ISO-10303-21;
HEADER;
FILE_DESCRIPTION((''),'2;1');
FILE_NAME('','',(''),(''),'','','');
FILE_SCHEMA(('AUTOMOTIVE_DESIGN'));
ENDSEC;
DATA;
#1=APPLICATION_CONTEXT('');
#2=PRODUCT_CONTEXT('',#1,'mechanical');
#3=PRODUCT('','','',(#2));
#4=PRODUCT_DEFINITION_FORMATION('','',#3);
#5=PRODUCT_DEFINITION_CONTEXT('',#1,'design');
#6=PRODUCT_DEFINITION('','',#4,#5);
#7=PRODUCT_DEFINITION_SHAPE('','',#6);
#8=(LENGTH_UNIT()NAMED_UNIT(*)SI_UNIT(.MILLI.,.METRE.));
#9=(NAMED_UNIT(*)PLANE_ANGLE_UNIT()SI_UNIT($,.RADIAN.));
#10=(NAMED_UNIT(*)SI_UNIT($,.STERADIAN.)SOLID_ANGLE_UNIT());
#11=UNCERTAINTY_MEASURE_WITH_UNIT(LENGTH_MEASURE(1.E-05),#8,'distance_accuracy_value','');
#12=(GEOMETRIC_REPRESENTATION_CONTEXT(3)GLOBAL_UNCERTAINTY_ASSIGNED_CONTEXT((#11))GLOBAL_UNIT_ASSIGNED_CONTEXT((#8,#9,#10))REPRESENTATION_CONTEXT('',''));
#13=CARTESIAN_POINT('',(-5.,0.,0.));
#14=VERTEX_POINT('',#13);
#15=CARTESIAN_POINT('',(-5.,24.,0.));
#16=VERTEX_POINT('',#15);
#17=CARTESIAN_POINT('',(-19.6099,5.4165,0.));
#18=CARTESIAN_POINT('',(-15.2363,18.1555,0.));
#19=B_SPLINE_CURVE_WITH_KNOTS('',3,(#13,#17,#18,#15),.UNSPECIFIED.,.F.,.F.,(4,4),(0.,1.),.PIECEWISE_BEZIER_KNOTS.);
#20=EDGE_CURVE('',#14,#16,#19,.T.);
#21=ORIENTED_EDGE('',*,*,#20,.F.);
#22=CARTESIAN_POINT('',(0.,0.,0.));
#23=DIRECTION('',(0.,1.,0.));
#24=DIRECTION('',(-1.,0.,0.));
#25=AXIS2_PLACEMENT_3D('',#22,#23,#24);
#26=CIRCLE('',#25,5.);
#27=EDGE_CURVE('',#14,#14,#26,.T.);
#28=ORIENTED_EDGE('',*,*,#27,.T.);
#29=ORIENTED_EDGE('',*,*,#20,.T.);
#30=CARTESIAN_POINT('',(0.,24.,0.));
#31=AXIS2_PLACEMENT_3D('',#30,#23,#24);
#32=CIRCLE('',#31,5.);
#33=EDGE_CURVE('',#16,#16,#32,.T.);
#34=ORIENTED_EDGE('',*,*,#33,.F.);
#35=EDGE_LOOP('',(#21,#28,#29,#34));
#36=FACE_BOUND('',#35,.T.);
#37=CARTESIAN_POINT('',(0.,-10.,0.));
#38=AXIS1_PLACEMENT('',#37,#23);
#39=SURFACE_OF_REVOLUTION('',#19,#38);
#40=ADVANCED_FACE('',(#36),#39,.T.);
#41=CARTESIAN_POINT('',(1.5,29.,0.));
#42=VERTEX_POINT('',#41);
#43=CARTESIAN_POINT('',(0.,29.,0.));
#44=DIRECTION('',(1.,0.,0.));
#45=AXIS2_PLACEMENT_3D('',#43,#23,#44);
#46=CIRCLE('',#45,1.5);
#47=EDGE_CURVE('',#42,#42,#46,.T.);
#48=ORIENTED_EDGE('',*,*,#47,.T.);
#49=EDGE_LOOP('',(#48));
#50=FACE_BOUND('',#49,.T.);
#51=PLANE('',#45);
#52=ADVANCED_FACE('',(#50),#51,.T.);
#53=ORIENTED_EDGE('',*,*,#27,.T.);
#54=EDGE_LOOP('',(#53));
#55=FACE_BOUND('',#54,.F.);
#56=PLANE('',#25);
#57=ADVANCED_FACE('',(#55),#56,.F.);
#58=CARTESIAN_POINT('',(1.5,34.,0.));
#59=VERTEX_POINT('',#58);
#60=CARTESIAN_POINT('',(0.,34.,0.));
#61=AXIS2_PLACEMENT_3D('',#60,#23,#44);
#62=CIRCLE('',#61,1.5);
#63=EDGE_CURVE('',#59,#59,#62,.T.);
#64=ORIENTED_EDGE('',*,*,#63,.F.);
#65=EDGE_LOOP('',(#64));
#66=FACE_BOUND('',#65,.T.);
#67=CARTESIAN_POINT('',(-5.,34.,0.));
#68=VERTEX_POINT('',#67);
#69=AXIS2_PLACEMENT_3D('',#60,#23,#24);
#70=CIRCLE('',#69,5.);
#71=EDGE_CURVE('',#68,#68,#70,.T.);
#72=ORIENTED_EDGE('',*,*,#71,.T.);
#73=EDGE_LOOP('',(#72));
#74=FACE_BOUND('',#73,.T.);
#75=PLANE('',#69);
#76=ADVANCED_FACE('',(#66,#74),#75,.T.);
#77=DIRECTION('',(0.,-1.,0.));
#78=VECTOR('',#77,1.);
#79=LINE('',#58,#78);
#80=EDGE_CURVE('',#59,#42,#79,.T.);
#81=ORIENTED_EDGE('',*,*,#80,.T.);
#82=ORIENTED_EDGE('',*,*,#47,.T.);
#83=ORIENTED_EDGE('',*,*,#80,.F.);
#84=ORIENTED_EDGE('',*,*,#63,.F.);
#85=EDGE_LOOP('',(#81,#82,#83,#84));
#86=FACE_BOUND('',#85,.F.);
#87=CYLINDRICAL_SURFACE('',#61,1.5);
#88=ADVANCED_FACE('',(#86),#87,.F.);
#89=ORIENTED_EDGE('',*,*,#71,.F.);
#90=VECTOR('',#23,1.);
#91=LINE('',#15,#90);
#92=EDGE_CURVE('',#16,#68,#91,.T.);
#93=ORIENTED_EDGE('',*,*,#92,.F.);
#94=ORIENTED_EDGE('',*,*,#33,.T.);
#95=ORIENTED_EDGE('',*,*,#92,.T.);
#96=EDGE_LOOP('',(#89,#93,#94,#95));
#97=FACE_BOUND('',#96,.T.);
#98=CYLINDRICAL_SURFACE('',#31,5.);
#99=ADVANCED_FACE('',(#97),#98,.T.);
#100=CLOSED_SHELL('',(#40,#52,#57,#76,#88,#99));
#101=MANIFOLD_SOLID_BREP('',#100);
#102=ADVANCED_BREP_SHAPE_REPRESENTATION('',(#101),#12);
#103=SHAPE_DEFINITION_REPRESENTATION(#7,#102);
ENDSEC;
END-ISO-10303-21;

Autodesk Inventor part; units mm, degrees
ref_plane "YZ Plane" through (0, 0, 0) normal (1, 0, 0) x (0, 1, 0)
ref_plane "XZ Plane" through (0, 0, 0) normal (0, 1, 0) x (-1, 0, 0)
ref_plane "XY Plane" through (0, 0, 0) normal (0, 0, 1) x (1, 0, 0)
sketch "Sketch1" plane through (0, 0, 0) normal (0, 0, 1) x (1, 0, 0)
  spline S0 degree 3 poles (-5, 0) (-19.6099, 5.4165) (-15.2363, 18.1555) (-5, 24) knots 0 0 0 0 1 1 1 1
  line L0 (-5, 24) -> (-5, 34)
  line L1 (-5, 34) -> (0, 34)
  line L2 (0, -7.0933) -> (0, 40.8489) projected
  line L3 (-5, 0) -> (0, 0)
  line L4 (0, 34) -> (0, 0)
  line L5 (-18.5589, 0) -> (3.0931, 0) projected
  point P0 (-14, 8)
  point P1 (-13, 16)
  dimension "d0" = 5
  dimension "d1" = 5
  dimension "d7" = 14
  dimension "d8" = 13
  dimension "d9" = 8
  dimension "d10" = 8
  dimension "d11" = 8
  dimension "d12" = 10
revolve "Revolution1" add sketch "Sketch1" angle 360 about axis through (0, -10, 0) along (0, 1, 0)
sketch "Sketch3" plane through (0, 34, 0) normal (0, 1, 0) x (1, 0, 0)
  circle A0 centre (0, 0) radius 1.5
  dimension "d4" = 3
extrude "Extrusion1" cut sketch "Sketch3" against normal blind 5
properties part number "pounder"
